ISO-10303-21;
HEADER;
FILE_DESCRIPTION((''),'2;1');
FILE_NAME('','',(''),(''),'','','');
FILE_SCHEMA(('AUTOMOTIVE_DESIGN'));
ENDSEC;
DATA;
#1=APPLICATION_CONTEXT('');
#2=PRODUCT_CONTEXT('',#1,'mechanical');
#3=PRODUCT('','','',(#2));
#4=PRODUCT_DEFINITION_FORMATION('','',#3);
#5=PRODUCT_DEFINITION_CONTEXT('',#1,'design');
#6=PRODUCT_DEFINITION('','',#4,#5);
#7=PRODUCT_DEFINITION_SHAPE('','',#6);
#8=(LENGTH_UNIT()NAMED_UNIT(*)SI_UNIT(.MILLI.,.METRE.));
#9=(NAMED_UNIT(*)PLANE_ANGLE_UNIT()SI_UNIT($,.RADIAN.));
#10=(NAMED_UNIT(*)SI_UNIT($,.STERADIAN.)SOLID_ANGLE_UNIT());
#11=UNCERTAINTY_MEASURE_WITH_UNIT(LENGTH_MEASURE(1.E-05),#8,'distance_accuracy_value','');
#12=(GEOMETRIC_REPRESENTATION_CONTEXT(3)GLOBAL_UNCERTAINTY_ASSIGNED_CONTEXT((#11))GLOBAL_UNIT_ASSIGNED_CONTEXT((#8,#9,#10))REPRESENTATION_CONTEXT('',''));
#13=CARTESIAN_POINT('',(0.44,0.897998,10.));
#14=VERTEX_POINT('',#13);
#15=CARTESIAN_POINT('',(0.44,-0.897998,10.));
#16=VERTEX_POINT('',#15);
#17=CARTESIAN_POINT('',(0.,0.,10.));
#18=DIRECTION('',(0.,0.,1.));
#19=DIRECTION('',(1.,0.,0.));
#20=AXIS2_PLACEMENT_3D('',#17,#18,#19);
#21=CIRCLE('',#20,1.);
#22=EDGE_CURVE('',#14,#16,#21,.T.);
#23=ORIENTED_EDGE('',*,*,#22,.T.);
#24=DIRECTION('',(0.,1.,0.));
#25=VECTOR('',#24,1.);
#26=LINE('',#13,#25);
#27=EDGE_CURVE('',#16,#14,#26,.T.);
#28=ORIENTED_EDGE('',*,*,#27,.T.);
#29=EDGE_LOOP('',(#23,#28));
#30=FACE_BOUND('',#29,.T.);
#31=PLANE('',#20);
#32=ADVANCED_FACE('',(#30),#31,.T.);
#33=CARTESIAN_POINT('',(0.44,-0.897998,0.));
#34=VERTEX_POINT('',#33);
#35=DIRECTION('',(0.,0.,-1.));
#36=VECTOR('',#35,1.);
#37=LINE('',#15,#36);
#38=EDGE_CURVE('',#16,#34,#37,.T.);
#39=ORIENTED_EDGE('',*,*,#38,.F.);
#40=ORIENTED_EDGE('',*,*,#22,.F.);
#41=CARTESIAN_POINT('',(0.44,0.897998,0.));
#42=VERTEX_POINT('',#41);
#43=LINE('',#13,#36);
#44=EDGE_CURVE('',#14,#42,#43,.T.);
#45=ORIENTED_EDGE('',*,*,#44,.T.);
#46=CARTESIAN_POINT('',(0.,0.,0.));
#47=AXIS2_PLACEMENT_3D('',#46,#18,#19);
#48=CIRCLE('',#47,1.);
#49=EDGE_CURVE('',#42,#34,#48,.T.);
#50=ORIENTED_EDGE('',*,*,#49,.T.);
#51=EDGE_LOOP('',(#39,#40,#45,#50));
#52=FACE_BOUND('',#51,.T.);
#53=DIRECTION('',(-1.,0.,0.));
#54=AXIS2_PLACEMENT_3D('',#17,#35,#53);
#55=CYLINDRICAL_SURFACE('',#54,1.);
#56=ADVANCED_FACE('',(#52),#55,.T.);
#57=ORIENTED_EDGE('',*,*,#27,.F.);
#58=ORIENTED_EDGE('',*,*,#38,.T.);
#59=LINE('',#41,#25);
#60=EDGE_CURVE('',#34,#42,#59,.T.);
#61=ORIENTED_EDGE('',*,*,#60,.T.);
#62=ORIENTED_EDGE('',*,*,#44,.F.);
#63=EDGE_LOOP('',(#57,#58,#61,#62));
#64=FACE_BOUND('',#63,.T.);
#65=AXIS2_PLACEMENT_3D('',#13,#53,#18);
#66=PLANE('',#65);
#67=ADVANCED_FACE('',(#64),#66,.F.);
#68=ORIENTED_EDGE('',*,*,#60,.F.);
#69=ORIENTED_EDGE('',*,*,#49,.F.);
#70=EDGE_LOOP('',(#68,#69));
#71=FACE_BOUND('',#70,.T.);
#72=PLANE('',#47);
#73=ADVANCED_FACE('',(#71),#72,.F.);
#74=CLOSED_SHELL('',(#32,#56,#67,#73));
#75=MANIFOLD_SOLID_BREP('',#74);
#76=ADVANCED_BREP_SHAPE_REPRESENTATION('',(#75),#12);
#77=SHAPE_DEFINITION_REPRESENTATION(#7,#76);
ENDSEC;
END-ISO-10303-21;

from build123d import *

# Parameters (mm, degrees)
EXTRUDE_1_DEPTH = 10


with BuildPart() as part:
    # 草图1 → 凸台-拉伸1 (new body)
    with BuildSketch(Plane.XY):
        with BuildLine():
            Line((0.44, 0.897997773), (0.44, -0.897997773))
            ThreePointArc((0.44, -0.897997773), (-1, 0), (0.44, 0.897997773))
        make_face()
    extrude(amount=EXTRUDE_1_DEPTH)


solid = part.part
